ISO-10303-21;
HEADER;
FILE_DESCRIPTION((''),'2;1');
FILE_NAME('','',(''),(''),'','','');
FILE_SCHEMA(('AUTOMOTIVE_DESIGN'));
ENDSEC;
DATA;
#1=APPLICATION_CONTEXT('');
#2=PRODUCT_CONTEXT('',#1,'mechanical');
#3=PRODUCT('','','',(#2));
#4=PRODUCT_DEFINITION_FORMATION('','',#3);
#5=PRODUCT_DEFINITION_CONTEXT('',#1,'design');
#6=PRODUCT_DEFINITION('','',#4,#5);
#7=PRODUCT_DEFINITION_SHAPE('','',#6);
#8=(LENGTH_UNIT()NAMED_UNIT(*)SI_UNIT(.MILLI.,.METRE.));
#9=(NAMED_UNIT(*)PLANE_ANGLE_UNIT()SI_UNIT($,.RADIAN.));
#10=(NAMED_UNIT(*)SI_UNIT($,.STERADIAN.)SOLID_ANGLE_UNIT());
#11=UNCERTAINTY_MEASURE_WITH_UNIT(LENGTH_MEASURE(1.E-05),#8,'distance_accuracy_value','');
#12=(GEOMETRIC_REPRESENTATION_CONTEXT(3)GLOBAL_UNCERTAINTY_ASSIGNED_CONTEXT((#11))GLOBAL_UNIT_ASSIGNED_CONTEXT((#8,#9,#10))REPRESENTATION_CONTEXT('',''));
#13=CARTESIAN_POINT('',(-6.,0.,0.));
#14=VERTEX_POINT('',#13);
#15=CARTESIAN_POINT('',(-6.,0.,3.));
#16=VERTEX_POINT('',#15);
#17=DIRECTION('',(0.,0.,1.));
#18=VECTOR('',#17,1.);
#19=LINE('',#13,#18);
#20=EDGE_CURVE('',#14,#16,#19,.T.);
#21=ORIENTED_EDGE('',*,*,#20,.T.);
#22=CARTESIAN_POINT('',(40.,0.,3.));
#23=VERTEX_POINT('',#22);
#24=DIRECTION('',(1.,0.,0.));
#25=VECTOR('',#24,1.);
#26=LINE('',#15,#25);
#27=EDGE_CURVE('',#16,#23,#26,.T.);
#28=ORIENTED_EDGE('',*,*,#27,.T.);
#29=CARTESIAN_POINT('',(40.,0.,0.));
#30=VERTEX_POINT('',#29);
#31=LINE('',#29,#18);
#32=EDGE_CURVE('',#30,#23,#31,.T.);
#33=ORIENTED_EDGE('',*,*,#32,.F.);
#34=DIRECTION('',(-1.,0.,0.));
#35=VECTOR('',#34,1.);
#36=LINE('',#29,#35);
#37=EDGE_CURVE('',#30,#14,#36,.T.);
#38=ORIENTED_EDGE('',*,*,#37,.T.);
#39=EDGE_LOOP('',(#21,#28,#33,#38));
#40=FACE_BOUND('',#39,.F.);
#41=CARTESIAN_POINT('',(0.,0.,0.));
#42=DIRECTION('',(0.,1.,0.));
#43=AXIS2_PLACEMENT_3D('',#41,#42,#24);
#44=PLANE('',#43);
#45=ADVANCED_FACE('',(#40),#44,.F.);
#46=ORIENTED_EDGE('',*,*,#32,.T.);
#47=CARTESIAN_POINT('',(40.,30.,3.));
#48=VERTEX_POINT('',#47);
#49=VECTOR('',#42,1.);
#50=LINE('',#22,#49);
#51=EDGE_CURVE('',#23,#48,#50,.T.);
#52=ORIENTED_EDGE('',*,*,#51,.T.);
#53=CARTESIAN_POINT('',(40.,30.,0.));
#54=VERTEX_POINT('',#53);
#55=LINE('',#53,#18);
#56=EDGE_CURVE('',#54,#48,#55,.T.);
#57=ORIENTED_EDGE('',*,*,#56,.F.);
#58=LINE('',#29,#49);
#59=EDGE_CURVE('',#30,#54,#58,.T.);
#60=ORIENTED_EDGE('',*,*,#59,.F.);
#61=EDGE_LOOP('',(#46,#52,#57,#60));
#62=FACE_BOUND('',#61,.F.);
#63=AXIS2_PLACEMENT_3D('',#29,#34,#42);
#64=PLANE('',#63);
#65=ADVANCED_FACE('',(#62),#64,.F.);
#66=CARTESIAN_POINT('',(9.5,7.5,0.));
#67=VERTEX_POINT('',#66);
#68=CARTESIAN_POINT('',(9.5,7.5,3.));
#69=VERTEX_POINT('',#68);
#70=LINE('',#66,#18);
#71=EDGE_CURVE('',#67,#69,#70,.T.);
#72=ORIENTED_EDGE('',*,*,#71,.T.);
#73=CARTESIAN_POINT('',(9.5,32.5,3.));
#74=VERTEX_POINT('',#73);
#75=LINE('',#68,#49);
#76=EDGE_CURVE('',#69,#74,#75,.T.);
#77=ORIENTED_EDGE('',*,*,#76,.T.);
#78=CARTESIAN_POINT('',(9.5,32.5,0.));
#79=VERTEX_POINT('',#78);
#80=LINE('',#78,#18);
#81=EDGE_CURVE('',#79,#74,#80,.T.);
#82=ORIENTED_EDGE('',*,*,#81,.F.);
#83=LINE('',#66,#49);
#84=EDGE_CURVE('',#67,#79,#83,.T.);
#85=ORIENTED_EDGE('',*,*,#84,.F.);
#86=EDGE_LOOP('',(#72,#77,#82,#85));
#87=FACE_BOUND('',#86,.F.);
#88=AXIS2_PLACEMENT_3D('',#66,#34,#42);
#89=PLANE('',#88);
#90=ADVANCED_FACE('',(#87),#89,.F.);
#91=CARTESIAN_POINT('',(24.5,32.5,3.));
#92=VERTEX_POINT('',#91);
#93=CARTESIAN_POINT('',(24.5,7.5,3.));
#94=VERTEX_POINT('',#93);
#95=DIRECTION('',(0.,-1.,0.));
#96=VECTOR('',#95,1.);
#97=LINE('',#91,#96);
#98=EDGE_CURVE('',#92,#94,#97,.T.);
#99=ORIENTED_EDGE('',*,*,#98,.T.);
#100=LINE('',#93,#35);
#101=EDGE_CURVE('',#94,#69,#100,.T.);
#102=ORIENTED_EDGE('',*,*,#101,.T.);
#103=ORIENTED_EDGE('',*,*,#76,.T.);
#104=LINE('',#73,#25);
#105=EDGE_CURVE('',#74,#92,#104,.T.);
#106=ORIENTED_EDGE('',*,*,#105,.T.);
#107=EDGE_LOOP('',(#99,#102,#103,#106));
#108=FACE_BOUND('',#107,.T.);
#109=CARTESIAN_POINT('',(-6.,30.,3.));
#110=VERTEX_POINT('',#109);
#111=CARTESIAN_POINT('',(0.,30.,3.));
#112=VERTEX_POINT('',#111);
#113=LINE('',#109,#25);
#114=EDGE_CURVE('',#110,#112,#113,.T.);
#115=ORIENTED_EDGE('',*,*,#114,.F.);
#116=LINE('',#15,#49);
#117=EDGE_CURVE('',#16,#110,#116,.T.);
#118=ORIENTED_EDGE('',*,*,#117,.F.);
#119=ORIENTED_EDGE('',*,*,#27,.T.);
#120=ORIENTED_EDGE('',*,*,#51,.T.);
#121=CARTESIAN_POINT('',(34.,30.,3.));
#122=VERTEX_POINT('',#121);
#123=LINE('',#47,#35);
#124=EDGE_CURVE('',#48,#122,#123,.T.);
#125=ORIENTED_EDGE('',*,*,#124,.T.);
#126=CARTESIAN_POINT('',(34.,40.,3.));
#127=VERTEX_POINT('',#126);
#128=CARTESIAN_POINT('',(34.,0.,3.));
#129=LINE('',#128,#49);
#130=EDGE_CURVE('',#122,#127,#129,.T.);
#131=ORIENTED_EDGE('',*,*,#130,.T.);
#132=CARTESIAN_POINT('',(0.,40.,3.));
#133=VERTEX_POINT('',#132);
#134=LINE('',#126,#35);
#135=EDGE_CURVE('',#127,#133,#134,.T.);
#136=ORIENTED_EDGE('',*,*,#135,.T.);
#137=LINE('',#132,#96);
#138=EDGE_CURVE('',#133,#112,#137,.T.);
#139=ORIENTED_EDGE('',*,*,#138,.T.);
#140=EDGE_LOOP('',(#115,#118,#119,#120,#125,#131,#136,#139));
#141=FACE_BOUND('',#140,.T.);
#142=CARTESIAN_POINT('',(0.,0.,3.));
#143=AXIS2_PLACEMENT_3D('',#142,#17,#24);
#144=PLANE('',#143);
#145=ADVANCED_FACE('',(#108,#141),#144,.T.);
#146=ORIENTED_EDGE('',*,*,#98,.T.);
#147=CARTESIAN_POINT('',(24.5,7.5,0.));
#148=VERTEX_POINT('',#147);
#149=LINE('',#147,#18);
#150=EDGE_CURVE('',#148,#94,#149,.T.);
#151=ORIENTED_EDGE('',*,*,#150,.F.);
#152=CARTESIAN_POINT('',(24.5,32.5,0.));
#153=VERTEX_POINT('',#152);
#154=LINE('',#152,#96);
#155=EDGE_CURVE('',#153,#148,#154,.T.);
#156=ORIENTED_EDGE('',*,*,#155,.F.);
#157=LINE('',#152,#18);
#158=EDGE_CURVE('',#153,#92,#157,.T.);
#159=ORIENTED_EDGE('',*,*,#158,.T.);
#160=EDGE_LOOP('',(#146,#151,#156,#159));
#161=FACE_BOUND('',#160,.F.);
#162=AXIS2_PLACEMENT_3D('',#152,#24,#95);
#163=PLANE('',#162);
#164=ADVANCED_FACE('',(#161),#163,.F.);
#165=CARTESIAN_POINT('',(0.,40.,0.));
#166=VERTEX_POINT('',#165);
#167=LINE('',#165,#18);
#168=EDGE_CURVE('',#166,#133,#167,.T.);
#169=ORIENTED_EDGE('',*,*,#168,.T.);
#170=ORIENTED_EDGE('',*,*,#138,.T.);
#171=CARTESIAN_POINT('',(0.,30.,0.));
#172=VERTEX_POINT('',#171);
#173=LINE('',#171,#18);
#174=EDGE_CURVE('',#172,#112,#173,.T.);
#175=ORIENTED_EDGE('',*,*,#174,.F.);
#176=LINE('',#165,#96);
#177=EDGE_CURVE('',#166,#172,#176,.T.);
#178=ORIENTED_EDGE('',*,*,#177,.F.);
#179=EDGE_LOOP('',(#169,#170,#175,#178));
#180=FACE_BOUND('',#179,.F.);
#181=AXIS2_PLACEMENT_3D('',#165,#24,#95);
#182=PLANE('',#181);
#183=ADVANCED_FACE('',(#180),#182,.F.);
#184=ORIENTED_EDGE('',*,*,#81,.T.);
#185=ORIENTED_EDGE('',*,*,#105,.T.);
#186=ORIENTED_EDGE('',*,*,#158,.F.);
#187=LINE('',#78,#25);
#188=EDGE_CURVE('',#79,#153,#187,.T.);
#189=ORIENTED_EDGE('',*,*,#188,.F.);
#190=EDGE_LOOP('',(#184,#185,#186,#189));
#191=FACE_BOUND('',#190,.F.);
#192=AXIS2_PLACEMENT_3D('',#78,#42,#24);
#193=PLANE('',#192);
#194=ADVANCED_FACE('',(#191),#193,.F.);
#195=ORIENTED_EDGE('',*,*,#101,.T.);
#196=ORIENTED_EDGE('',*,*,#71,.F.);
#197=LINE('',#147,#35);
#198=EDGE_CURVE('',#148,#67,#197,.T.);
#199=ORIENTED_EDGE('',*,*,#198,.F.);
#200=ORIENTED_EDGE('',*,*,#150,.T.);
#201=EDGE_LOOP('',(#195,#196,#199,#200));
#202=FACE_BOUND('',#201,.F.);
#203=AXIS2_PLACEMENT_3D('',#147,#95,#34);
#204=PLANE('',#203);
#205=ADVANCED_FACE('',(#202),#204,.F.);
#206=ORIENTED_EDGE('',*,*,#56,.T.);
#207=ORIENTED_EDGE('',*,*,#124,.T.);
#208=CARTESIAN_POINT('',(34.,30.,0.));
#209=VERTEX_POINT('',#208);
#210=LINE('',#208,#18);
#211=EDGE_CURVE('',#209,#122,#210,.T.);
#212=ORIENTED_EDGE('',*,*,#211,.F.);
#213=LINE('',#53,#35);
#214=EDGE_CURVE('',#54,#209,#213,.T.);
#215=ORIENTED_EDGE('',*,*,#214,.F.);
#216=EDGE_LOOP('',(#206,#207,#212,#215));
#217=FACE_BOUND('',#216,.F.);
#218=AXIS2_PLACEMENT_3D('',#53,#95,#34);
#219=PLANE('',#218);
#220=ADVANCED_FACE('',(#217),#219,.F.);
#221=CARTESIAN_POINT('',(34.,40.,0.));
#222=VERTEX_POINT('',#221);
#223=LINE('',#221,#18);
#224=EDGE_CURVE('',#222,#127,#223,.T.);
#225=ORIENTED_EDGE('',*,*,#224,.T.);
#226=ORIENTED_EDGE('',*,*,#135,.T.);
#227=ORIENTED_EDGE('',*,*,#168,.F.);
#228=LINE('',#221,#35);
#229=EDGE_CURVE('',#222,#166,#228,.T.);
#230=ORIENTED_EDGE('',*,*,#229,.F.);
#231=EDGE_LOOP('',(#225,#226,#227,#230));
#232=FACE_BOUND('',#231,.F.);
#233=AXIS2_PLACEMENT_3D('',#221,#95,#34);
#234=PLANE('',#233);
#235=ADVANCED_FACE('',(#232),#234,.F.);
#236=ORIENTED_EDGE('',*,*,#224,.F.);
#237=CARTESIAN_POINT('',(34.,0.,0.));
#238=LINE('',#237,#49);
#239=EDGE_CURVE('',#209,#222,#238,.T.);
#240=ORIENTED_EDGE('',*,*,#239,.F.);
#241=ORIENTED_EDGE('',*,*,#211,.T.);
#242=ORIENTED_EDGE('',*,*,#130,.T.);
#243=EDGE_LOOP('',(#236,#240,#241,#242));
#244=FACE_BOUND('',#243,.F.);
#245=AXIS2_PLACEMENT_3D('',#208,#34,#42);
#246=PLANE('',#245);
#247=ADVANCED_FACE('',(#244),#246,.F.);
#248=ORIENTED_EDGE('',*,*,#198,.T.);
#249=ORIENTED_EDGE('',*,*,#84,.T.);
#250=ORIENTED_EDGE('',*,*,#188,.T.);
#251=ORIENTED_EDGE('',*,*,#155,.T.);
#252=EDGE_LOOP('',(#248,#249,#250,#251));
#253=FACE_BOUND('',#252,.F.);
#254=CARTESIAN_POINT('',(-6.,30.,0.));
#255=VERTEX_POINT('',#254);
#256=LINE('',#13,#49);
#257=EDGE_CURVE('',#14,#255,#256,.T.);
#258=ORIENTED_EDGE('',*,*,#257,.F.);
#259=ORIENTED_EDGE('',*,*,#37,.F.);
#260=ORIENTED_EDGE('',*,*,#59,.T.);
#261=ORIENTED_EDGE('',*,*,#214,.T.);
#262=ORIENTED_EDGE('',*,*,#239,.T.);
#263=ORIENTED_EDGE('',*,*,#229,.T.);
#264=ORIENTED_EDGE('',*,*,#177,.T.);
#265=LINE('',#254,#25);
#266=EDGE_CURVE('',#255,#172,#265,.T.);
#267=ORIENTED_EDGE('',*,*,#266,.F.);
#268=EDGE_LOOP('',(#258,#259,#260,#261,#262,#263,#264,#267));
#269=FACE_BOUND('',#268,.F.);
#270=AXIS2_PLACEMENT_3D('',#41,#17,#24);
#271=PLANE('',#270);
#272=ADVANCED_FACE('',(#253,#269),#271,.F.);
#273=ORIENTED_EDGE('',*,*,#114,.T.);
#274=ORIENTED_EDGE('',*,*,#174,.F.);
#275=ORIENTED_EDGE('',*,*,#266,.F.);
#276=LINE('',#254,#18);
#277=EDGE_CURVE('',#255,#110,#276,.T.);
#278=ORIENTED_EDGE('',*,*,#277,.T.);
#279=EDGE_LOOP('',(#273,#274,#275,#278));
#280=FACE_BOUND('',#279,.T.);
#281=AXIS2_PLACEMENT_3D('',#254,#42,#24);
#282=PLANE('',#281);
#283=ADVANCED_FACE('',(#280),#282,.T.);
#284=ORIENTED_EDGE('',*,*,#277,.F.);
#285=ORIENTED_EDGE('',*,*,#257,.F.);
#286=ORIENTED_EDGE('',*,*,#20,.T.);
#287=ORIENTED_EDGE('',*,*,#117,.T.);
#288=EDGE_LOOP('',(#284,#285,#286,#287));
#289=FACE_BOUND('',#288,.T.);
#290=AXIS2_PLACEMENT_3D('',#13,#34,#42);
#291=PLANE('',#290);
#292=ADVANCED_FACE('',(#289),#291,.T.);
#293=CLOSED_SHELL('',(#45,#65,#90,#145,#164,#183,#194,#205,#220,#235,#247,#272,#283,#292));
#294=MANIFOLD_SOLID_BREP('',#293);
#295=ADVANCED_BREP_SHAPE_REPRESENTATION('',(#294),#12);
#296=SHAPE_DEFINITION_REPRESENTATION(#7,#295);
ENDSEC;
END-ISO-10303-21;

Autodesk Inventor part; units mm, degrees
ref_plane "YZ Plane" through (0, 0, 0) normal (1, 0, 0) x (0, 1, 0)
ref_plane "XZ Plane" through (0, 0, 0) normal (0, 1, 0) x (-1, 0, 0)
ref_plane "XY Plane" through (0, 0, 0) normal (0, 0, 1) x (1, 0, 0)
sketch "Sketch1" plane through (0, 0, 0) normal (0, 0, 1) x (1, 0, 0)
  line L0 (0, 0) -> (34, 0)
  line L1 (34, 0) -> (34, 40)
  line L2 (34, 40) -> (0, 40)
  line L3 (0, 40) -> (0, 0)
  line L4 (-6, 30) -> (0, 30)
  line L5 (0, 30) -> (0, 0)
  line L6 (0, 0) -> (-6, 0)
  line L7 (-6, 0) -> (-6, 30)
  line L8 (-6, 30) -> (0, 0) construction
  line L9 (0, 30) -> (-6, 0) construction
  line L10 (40, 30) -> (34, 30)
  line L11 (34, 30) -> (34, 0)
  line L12 (34, 0) -> (40, 0)
  line L13 (40, 0) -> (40, 30)
  line L14 (40, 30) -> (34, 0) construction
  line L15 (34, 30) -> (40, 0) construction
  line L16 (9.5, 32.5) -> (24.5, 32.5)
  line L17 (24.5, 32.5) -> (24.5, 7.5)
  line L18 (24.5, 7.5) -> (9.5, 7.5)
  line L19 (9.5, 7.5) -> (9.5, 32.5)
  line L20 (9.5, 32.5) -> (24.5, 7.5) construction
  line L21 (24.5, 32.5) -> (9.5, 7.5) construction
  point P0 (-3, 15)
  point P1 (37, 15)
  point P2 (0, 20)
  point P3 (0, 15)
  point P4 (34, 30)
  point P5 (0, 30)
  point P6 (17, 20)
  point P7 (17, 40)
  point P8 (34, 20)
  dimension "d0" = 34
  dimension "d1" = 40
  dimension "d2" = 6
  dimension "d3" = 6
  dimension "d4" = 30
  dimension "d5" = 30
  dimension "d8" = 15
  dimension "d9" = 25
extrude "Extrusion1" add sketch "Sketch1" along normal blind 3
properties part number "Frontrail"
